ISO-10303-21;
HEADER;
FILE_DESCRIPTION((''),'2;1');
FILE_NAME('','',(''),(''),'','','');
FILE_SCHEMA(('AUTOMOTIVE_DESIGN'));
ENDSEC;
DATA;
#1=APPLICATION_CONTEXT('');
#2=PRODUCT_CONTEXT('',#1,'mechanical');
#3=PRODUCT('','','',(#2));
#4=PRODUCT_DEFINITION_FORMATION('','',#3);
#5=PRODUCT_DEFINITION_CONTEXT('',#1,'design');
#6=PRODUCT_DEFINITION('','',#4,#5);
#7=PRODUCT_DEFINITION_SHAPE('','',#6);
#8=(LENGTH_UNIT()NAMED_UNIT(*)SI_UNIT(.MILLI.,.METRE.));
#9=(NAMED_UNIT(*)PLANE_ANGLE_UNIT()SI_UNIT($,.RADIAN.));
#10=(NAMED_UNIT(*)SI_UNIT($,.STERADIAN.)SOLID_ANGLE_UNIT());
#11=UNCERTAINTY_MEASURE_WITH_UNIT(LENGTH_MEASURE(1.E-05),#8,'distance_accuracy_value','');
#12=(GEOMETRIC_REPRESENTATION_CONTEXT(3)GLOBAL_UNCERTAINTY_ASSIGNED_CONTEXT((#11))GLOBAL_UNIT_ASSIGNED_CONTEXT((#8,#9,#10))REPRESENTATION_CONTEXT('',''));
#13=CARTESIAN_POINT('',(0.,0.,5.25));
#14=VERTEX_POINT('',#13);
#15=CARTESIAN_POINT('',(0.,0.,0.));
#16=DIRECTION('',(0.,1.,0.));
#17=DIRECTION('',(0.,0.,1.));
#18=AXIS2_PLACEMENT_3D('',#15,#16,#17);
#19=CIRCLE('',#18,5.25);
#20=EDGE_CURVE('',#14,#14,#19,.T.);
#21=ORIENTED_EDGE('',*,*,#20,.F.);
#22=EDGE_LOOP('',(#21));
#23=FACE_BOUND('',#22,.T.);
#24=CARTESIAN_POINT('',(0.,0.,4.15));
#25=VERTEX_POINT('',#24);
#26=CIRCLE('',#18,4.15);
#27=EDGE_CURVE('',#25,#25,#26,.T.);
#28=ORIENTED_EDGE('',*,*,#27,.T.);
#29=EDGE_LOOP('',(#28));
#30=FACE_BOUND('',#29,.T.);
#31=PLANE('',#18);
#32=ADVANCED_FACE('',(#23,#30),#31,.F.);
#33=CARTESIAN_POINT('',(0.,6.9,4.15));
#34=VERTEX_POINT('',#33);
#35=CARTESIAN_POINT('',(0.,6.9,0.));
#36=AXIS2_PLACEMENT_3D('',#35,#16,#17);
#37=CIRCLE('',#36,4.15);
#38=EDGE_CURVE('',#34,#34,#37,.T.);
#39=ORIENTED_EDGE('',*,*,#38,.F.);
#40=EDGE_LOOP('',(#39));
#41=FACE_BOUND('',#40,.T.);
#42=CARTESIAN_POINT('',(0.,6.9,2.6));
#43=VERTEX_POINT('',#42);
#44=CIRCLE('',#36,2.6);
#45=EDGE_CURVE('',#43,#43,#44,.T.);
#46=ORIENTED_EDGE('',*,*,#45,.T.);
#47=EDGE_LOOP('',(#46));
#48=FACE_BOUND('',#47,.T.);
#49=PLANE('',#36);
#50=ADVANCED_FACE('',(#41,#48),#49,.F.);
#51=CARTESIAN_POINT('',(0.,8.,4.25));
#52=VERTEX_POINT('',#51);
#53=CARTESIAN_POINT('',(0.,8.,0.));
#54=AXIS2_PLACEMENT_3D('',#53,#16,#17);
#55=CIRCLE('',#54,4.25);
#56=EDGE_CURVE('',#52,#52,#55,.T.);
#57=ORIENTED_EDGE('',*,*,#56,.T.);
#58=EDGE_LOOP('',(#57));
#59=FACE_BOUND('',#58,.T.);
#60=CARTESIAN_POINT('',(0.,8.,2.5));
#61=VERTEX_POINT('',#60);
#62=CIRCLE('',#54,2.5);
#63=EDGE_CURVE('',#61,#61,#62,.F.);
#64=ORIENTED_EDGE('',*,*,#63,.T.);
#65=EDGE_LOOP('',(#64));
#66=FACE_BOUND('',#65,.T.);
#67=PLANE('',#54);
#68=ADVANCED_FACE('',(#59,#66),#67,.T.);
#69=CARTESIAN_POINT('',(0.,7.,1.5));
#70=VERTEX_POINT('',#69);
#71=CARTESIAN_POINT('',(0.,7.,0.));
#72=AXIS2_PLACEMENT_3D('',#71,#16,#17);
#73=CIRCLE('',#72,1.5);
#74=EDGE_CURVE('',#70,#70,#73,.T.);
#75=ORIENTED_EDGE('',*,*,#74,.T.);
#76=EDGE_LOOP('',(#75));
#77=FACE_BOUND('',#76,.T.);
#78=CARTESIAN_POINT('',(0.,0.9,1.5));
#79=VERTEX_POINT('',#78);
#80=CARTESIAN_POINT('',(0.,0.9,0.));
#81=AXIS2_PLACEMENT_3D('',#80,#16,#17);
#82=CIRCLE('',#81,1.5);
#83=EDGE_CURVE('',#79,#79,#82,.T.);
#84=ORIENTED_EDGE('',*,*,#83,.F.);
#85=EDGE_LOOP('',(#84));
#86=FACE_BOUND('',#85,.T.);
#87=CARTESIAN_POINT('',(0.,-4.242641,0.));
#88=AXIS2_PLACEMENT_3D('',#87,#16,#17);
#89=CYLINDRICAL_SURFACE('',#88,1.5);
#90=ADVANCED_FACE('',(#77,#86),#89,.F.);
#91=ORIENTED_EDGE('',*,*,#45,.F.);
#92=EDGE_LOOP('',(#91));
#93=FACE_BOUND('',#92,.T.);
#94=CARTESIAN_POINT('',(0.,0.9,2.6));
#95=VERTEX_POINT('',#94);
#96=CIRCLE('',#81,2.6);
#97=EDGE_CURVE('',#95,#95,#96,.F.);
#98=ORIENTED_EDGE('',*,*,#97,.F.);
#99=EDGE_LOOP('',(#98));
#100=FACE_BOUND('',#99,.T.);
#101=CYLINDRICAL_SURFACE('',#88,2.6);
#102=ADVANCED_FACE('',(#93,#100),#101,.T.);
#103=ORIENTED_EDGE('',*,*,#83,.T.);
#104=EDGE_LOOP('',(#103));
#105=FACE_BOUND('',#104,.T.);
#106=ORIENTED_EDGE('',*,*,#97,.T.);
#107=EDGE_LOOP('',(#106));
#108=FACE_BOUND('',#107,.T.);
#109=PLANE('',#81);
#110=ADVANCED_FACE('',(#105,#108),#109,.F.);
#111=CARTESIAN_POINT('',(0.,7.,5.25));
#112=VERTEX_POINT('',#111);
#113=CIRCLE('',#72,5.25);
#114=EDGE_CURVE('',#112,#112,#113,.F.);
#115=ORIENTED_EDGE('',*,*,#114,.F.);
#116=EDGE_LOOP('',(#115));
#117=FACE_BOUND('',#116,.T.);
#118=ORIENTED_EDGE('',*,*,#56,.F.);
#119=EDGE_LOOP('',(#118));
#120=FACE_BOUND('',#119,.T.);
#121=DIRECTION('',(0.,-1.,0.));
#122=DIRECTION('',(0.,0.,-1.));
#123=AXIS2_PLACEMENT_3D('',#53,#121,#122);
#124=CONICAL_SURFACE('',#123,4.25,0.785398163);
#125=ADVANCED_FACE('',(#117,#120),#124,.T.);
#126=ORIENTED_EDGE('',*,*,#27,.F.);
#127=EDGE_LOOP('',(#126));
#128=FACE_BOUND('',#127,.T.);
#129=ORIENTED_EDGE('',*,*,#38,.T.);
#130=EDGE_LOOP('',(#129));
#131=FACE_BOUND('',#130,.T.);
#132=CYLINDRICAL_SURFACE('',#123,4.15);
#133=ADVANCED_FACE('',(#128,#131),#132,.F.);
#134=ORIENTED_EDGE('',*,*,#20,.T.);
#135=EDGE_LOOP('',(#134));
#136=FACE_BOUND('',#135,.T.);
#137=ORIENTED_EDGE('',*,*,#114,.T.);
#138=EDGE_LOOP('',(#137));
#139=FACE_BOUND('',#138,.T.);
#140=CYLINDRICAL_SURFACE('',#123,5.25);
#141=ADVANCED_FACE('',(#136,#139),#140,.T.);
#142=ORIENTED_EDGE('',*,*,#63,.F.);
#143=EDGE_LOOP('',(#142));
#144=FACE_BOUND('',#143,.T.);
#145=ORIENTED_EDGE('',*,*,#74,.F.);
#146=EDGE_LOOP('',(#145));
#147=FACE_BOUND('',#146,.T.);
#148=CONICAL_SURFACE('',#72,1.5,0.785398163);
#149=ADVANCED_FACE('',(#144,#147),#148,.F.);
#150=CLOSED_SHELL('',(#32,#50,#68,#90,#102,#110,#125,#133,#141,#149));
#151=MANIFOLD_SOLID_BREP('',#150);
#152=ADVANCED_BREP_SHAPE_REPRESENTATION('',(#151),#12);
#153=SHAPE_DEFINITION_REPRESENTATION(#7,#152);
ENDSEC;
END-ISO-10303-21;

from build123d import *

# Parameters (mm, degrees)
SKETCH1_R           = 5.25
BOSS_EXTRUDE1_DEPTH = 8
SKETCH2_R           = 1.5
CUT_EXTRUDE1_DEPTH  = 6
SHELL1_T            = -1.1
SKETCH3_R           = 1.5
CUT_EXTRUDE2_DEPTH  = 10.545941546
CHAMFER1_SIZE       = 1
CHAMFER2_SIZE       = 1


with BuildPart() as part:
    # Sketch1 → Boss-Extrude1 (new body)
    with BuildSketch(Plane(origin=(0, 0, 0), x_dir=(1, 0, 0), z_dir=(0, 1, 0))):
        with Locations(Location((0, 0, 0), (0, 0, 270))):
            Circle(SKETCH1_R)
    extrude(amount=BOSS_EXTRUDE1_DEPTH)

    # Sketch2 → Cut-Extrude1 (cut)
    with BuildSketch(Plane(origin=(0, 8, 0), x_dir=(1, 0, 0), z_dir=(0, 1, 0))):
        with Locations(Location((0, 0, 0), (0, 0, 270))):
            Circle(SKETCH2_R)
    extrude(amount=-CUT_EXTRUDE1_DEPTH, mode=Mode.SUBTRACT)

    # Shell1
    shell1_openings = [part.faces().sort_by_distance(p)[0] for p in [
        (0, 0, 0),
    ]]
    offset(amount=SHELL1_T, openings=shell1_openings, kind=Kind.INTERSECTION)

    # Sketch3 → Cut-Extrude2 (cut, through all)
    with BuildSketch(Plane(origin=(0, 2, 0), x_dir=(1, 0, 0), z_dir=(0, 1, 0))):
        with Locations(Location((0, 0, 0), (0, 0, 270))):
            Circle(SKETCH3_R)
    extrude(amount=-CUT_EXTRUDE2_DEPTH, mode=Mode.SUBTRACT)

    # Chamfer1
    chamfer1_edges = [part.edges().sort_by_distance(p)[0] for p in [
        (0, 8, -5.25),
    ]]
    chamfer(chamfer1_edges, length=CHAMFER1_SIZE)

    # Chamfer2
    chamfer2_edges = [part.edges().sort_by_distance(p)[0] for p in [
        (0, 8, -1.5),
    ]]
    chamfer(chamfer2_edges, length=CHAMFER2_SIZE)


solid = part.part
